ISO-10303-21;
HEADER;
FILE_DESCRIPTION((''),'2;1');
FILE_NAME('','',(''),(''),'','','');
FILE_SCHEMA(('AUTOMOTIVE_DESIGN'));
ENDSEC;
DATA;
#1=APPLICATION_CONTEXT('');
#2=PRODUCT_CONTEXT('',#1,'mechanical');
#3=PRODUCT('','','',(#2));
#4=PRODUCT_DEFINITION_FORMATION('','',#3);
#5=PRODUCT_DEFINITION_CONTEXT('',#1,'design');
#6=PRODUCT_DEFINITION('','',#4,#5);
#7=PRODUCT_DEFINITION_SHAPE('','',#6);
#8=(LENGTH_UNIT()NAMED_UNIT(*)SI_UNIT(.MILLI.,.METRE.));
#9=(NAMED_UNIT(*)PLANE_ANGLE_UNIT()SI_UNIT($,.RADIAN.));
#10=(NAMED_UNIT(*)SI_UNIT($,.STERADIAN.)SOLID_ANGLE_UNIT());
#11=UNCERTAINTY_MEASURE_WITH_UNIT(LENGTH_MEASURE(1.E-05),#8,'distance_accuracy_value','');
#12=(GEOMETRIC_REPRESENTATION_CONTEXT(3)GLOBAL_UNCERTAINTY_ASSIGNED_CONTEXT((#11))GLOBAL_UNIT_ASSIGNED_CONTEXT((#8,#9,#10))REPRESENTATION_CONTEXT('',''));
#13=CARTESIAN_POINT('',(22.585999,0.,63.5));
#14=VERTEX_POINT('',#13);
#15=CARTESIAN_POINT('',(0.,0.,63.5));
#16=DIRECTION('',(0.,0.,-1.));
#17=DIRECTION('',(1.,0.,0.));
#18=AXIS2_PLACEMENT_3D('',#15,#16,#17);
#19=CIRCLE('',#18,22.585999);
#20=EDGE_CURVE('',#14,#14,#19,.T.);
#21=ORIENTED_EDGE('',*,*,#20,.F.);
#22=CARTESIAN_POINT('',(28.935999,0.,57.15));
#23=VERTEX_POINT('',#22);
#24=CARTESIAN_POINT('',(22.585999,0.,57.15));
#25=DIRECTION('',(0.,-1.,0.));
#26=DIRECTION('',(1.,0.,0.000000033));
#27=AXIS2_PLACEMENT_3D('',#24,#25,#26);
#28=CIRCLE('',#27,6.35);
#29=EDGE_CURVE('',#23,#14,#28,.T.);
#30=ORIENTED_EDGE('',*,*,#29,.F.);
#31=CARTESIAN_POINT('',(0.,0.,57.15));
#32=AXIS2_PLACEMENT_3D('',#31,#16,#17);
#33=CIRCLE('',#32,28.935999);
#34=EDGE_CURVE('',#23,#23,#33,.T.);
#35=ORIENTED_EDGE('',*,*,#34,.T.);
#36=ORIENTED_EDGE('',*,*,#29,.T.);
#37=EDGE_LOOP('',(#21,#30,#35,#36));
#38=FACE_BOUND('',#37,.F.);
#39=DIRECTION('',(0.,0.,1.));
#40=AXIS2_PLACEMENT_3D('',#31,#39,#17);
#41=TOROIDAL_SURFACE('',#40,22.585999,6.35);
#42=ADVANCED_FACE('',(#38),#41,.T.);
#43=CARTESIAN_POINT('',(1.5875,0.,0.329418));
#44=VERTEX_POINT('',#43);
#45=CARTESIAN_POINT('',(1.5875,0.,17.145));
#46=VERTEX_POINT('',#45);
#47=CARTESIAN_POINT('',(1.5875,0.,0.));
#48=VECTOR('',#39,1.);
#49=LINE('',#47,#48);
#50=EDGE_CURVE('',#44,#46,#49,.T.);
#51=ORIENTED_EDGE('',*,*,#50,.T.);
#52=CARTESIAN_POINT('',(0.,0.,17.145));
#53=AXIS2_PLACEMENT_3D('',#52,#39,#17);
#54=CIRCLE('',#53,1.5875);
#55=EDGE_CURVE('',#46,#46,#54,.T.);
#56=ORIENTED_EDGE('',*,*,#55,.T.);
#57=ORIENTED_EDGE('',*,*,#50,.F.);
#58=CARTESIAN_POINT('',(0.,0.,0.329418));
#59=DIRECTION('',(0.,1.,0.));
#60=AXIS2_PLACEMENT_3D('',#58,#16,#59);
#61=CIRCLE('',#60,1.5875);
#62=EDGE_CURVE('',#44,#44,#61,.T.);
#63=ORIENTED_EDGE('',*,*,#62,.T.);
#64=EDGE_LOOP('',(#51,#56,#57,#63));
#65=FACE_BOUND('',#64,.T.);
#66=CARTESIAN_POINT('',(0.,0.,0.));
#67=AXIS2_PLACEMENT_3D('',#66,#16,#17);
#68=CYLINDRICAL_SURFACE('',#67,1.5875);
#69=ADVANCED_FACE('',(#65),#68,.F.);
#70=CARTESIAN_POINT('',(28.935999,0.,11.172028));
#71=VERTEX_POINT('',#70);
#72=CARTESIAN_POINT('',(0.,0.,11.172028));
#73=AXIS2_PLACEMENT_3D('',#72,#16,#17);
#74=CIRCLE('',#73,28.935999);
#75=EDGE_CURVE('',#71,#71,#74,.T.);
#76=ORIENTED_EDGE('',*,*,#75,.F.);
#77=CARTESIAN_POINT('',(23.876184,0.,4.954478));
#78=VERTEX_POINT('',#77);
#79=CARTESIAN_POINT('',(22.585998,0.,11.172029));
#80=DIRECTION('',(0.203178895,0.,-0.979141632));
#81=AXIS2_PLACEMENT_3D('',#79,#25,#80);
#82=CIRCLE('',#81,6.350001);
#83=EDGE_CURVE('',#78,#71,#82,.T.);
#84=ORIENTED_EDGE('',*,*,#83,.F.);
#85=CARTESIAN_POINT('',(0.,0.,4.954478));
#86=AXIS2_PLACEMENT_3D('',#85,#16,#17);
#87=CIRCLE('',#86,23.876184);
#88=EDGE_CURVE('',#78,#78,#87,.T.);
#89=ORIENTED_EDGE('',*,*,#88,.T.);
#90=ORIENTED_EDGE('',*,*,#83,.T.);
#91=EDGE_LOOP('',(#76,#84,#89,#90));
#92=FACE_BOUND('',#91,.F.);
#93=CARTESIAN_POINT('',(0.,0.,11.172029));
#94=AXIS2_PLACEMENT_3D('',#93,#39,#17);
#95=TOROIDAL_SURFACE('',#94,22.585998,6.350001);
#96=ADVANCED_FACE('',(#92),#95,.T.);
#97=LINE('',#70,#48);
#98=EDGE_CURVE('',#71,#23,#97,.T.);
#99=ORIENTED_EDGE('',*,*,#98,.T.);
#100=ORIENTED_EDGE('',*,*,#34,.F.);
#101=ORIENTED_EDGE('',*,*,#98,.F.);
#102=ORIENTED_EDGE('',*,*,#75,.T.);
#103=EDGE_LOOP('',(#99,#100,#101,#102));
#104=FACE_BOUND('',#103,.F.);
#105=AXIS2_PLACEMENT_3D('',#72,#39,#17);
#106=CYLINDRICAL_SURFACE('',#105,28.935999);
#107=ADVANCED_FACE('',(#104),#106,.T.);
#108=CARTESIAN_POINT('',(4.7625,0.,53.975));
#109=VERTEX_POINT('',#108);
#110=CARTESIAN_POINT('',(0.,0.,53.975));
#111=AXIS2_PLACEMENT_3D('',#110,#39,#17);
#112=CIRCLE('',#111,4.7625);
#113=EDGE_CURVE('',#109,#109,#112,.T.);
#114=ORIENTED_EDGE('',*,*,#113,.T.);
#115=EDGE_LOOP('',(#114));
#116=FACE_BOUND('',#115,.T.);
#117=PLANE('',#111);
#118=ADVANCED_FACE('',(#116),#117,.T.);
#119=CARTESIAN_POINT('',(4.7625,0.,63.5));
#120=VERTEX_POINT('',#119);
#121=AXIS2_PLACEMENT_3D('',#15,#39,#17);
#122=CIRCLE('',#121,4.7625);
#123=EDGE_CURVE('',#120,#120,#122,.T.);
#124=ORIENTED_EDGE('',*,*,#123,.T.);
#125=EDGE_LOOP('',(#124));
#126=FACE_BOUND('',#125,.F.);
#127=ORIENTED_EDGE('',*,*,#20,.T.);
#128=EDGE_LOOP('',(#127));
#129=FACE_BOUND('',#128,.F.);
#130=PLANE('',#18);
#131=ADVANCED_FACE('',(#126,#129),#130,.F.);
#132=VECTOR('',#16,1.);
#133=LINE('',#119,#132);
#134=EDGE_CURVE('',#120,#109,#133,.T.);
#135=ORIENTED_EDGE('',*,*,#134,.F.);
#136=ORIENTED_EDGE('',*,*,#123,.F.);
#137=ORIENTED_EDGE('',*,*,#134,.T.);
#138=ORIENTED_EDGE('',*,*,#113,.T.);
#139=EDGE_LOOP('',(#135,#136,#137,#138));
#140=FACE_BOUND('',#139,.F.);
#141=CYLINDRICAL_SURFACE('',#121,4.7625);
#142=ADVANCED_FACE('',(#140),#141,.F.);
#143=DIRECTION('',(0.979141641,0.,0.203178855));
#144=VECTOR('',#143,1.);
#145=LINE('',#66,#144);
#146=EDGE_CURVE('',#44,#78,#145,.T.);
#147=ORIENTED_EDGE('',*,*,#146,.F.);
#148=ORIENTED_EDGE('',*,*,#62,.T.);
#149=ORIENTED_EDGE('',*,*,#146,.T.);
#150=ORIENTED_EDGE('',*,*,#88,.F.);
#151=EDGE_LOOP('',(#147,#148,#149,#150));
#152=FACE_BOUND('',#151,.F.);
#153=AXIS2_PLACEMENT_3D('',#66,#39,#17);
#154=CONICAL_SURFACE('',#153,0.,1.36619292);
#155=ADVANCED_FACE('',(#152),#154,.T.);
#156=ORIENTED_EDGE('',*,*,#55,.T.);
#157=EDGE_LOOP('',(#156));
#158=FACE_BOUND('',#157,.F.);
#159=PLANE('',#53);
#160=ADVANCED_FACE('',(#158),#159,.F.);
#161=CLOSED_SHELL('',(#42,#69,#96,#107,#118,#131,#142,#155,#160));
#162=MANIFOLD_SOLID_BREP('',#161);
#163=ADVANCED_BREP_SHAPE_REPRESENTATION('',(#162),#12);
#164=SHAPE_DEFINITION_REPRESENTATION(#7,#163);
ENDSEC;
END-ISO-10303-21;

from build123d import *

# Parameters (mm, degrees)
F2_R     = 4.7625
F3_DEPTH = 9.525
F4_R     = 1.5875
F5_DEPTH = 17.145


with BuildPart() as f1:
    # F0 (on Front) → F1 (revolve)
    with BuildSketch(Plane.XZ):
        with BuildLine():
            Line((0, 63.5), (0, 0))
            Line((0, 0), (23.876184, 4.954478))
            ThreePointArc((23.876184, 4.954478), (27.511198, 7.163922), (28.935999, 11.172028))
            Line((28.935999, 11.172028), (28.935999, 57.15))
            ThreePointArc((28.935999, 57.15), (27.076127, 61.640128), (22.585999, 63.5))
            Line((22.585999, 63.5), (0, 63.5))
        make_face()
    revolve(axis=Axis((0, 0, 31.75), (0, 0, -1)))

    # F2 (on face) → F3 (cut)
    with BuildSketch(Plane.XY.offset(63.5)):
        Circle(F2_R)
    extrude(amount=-F3_DEPTH, mode=Mode.SUBTRACT)

    # F4 (on Top) → F5 (cut)
    with BuildSketch(Plane.XY):
        Circle(F4_R)
    extrude(amount=F5_DEPTH, mode=Mode.SUBTRACT)


solid = f1.part
